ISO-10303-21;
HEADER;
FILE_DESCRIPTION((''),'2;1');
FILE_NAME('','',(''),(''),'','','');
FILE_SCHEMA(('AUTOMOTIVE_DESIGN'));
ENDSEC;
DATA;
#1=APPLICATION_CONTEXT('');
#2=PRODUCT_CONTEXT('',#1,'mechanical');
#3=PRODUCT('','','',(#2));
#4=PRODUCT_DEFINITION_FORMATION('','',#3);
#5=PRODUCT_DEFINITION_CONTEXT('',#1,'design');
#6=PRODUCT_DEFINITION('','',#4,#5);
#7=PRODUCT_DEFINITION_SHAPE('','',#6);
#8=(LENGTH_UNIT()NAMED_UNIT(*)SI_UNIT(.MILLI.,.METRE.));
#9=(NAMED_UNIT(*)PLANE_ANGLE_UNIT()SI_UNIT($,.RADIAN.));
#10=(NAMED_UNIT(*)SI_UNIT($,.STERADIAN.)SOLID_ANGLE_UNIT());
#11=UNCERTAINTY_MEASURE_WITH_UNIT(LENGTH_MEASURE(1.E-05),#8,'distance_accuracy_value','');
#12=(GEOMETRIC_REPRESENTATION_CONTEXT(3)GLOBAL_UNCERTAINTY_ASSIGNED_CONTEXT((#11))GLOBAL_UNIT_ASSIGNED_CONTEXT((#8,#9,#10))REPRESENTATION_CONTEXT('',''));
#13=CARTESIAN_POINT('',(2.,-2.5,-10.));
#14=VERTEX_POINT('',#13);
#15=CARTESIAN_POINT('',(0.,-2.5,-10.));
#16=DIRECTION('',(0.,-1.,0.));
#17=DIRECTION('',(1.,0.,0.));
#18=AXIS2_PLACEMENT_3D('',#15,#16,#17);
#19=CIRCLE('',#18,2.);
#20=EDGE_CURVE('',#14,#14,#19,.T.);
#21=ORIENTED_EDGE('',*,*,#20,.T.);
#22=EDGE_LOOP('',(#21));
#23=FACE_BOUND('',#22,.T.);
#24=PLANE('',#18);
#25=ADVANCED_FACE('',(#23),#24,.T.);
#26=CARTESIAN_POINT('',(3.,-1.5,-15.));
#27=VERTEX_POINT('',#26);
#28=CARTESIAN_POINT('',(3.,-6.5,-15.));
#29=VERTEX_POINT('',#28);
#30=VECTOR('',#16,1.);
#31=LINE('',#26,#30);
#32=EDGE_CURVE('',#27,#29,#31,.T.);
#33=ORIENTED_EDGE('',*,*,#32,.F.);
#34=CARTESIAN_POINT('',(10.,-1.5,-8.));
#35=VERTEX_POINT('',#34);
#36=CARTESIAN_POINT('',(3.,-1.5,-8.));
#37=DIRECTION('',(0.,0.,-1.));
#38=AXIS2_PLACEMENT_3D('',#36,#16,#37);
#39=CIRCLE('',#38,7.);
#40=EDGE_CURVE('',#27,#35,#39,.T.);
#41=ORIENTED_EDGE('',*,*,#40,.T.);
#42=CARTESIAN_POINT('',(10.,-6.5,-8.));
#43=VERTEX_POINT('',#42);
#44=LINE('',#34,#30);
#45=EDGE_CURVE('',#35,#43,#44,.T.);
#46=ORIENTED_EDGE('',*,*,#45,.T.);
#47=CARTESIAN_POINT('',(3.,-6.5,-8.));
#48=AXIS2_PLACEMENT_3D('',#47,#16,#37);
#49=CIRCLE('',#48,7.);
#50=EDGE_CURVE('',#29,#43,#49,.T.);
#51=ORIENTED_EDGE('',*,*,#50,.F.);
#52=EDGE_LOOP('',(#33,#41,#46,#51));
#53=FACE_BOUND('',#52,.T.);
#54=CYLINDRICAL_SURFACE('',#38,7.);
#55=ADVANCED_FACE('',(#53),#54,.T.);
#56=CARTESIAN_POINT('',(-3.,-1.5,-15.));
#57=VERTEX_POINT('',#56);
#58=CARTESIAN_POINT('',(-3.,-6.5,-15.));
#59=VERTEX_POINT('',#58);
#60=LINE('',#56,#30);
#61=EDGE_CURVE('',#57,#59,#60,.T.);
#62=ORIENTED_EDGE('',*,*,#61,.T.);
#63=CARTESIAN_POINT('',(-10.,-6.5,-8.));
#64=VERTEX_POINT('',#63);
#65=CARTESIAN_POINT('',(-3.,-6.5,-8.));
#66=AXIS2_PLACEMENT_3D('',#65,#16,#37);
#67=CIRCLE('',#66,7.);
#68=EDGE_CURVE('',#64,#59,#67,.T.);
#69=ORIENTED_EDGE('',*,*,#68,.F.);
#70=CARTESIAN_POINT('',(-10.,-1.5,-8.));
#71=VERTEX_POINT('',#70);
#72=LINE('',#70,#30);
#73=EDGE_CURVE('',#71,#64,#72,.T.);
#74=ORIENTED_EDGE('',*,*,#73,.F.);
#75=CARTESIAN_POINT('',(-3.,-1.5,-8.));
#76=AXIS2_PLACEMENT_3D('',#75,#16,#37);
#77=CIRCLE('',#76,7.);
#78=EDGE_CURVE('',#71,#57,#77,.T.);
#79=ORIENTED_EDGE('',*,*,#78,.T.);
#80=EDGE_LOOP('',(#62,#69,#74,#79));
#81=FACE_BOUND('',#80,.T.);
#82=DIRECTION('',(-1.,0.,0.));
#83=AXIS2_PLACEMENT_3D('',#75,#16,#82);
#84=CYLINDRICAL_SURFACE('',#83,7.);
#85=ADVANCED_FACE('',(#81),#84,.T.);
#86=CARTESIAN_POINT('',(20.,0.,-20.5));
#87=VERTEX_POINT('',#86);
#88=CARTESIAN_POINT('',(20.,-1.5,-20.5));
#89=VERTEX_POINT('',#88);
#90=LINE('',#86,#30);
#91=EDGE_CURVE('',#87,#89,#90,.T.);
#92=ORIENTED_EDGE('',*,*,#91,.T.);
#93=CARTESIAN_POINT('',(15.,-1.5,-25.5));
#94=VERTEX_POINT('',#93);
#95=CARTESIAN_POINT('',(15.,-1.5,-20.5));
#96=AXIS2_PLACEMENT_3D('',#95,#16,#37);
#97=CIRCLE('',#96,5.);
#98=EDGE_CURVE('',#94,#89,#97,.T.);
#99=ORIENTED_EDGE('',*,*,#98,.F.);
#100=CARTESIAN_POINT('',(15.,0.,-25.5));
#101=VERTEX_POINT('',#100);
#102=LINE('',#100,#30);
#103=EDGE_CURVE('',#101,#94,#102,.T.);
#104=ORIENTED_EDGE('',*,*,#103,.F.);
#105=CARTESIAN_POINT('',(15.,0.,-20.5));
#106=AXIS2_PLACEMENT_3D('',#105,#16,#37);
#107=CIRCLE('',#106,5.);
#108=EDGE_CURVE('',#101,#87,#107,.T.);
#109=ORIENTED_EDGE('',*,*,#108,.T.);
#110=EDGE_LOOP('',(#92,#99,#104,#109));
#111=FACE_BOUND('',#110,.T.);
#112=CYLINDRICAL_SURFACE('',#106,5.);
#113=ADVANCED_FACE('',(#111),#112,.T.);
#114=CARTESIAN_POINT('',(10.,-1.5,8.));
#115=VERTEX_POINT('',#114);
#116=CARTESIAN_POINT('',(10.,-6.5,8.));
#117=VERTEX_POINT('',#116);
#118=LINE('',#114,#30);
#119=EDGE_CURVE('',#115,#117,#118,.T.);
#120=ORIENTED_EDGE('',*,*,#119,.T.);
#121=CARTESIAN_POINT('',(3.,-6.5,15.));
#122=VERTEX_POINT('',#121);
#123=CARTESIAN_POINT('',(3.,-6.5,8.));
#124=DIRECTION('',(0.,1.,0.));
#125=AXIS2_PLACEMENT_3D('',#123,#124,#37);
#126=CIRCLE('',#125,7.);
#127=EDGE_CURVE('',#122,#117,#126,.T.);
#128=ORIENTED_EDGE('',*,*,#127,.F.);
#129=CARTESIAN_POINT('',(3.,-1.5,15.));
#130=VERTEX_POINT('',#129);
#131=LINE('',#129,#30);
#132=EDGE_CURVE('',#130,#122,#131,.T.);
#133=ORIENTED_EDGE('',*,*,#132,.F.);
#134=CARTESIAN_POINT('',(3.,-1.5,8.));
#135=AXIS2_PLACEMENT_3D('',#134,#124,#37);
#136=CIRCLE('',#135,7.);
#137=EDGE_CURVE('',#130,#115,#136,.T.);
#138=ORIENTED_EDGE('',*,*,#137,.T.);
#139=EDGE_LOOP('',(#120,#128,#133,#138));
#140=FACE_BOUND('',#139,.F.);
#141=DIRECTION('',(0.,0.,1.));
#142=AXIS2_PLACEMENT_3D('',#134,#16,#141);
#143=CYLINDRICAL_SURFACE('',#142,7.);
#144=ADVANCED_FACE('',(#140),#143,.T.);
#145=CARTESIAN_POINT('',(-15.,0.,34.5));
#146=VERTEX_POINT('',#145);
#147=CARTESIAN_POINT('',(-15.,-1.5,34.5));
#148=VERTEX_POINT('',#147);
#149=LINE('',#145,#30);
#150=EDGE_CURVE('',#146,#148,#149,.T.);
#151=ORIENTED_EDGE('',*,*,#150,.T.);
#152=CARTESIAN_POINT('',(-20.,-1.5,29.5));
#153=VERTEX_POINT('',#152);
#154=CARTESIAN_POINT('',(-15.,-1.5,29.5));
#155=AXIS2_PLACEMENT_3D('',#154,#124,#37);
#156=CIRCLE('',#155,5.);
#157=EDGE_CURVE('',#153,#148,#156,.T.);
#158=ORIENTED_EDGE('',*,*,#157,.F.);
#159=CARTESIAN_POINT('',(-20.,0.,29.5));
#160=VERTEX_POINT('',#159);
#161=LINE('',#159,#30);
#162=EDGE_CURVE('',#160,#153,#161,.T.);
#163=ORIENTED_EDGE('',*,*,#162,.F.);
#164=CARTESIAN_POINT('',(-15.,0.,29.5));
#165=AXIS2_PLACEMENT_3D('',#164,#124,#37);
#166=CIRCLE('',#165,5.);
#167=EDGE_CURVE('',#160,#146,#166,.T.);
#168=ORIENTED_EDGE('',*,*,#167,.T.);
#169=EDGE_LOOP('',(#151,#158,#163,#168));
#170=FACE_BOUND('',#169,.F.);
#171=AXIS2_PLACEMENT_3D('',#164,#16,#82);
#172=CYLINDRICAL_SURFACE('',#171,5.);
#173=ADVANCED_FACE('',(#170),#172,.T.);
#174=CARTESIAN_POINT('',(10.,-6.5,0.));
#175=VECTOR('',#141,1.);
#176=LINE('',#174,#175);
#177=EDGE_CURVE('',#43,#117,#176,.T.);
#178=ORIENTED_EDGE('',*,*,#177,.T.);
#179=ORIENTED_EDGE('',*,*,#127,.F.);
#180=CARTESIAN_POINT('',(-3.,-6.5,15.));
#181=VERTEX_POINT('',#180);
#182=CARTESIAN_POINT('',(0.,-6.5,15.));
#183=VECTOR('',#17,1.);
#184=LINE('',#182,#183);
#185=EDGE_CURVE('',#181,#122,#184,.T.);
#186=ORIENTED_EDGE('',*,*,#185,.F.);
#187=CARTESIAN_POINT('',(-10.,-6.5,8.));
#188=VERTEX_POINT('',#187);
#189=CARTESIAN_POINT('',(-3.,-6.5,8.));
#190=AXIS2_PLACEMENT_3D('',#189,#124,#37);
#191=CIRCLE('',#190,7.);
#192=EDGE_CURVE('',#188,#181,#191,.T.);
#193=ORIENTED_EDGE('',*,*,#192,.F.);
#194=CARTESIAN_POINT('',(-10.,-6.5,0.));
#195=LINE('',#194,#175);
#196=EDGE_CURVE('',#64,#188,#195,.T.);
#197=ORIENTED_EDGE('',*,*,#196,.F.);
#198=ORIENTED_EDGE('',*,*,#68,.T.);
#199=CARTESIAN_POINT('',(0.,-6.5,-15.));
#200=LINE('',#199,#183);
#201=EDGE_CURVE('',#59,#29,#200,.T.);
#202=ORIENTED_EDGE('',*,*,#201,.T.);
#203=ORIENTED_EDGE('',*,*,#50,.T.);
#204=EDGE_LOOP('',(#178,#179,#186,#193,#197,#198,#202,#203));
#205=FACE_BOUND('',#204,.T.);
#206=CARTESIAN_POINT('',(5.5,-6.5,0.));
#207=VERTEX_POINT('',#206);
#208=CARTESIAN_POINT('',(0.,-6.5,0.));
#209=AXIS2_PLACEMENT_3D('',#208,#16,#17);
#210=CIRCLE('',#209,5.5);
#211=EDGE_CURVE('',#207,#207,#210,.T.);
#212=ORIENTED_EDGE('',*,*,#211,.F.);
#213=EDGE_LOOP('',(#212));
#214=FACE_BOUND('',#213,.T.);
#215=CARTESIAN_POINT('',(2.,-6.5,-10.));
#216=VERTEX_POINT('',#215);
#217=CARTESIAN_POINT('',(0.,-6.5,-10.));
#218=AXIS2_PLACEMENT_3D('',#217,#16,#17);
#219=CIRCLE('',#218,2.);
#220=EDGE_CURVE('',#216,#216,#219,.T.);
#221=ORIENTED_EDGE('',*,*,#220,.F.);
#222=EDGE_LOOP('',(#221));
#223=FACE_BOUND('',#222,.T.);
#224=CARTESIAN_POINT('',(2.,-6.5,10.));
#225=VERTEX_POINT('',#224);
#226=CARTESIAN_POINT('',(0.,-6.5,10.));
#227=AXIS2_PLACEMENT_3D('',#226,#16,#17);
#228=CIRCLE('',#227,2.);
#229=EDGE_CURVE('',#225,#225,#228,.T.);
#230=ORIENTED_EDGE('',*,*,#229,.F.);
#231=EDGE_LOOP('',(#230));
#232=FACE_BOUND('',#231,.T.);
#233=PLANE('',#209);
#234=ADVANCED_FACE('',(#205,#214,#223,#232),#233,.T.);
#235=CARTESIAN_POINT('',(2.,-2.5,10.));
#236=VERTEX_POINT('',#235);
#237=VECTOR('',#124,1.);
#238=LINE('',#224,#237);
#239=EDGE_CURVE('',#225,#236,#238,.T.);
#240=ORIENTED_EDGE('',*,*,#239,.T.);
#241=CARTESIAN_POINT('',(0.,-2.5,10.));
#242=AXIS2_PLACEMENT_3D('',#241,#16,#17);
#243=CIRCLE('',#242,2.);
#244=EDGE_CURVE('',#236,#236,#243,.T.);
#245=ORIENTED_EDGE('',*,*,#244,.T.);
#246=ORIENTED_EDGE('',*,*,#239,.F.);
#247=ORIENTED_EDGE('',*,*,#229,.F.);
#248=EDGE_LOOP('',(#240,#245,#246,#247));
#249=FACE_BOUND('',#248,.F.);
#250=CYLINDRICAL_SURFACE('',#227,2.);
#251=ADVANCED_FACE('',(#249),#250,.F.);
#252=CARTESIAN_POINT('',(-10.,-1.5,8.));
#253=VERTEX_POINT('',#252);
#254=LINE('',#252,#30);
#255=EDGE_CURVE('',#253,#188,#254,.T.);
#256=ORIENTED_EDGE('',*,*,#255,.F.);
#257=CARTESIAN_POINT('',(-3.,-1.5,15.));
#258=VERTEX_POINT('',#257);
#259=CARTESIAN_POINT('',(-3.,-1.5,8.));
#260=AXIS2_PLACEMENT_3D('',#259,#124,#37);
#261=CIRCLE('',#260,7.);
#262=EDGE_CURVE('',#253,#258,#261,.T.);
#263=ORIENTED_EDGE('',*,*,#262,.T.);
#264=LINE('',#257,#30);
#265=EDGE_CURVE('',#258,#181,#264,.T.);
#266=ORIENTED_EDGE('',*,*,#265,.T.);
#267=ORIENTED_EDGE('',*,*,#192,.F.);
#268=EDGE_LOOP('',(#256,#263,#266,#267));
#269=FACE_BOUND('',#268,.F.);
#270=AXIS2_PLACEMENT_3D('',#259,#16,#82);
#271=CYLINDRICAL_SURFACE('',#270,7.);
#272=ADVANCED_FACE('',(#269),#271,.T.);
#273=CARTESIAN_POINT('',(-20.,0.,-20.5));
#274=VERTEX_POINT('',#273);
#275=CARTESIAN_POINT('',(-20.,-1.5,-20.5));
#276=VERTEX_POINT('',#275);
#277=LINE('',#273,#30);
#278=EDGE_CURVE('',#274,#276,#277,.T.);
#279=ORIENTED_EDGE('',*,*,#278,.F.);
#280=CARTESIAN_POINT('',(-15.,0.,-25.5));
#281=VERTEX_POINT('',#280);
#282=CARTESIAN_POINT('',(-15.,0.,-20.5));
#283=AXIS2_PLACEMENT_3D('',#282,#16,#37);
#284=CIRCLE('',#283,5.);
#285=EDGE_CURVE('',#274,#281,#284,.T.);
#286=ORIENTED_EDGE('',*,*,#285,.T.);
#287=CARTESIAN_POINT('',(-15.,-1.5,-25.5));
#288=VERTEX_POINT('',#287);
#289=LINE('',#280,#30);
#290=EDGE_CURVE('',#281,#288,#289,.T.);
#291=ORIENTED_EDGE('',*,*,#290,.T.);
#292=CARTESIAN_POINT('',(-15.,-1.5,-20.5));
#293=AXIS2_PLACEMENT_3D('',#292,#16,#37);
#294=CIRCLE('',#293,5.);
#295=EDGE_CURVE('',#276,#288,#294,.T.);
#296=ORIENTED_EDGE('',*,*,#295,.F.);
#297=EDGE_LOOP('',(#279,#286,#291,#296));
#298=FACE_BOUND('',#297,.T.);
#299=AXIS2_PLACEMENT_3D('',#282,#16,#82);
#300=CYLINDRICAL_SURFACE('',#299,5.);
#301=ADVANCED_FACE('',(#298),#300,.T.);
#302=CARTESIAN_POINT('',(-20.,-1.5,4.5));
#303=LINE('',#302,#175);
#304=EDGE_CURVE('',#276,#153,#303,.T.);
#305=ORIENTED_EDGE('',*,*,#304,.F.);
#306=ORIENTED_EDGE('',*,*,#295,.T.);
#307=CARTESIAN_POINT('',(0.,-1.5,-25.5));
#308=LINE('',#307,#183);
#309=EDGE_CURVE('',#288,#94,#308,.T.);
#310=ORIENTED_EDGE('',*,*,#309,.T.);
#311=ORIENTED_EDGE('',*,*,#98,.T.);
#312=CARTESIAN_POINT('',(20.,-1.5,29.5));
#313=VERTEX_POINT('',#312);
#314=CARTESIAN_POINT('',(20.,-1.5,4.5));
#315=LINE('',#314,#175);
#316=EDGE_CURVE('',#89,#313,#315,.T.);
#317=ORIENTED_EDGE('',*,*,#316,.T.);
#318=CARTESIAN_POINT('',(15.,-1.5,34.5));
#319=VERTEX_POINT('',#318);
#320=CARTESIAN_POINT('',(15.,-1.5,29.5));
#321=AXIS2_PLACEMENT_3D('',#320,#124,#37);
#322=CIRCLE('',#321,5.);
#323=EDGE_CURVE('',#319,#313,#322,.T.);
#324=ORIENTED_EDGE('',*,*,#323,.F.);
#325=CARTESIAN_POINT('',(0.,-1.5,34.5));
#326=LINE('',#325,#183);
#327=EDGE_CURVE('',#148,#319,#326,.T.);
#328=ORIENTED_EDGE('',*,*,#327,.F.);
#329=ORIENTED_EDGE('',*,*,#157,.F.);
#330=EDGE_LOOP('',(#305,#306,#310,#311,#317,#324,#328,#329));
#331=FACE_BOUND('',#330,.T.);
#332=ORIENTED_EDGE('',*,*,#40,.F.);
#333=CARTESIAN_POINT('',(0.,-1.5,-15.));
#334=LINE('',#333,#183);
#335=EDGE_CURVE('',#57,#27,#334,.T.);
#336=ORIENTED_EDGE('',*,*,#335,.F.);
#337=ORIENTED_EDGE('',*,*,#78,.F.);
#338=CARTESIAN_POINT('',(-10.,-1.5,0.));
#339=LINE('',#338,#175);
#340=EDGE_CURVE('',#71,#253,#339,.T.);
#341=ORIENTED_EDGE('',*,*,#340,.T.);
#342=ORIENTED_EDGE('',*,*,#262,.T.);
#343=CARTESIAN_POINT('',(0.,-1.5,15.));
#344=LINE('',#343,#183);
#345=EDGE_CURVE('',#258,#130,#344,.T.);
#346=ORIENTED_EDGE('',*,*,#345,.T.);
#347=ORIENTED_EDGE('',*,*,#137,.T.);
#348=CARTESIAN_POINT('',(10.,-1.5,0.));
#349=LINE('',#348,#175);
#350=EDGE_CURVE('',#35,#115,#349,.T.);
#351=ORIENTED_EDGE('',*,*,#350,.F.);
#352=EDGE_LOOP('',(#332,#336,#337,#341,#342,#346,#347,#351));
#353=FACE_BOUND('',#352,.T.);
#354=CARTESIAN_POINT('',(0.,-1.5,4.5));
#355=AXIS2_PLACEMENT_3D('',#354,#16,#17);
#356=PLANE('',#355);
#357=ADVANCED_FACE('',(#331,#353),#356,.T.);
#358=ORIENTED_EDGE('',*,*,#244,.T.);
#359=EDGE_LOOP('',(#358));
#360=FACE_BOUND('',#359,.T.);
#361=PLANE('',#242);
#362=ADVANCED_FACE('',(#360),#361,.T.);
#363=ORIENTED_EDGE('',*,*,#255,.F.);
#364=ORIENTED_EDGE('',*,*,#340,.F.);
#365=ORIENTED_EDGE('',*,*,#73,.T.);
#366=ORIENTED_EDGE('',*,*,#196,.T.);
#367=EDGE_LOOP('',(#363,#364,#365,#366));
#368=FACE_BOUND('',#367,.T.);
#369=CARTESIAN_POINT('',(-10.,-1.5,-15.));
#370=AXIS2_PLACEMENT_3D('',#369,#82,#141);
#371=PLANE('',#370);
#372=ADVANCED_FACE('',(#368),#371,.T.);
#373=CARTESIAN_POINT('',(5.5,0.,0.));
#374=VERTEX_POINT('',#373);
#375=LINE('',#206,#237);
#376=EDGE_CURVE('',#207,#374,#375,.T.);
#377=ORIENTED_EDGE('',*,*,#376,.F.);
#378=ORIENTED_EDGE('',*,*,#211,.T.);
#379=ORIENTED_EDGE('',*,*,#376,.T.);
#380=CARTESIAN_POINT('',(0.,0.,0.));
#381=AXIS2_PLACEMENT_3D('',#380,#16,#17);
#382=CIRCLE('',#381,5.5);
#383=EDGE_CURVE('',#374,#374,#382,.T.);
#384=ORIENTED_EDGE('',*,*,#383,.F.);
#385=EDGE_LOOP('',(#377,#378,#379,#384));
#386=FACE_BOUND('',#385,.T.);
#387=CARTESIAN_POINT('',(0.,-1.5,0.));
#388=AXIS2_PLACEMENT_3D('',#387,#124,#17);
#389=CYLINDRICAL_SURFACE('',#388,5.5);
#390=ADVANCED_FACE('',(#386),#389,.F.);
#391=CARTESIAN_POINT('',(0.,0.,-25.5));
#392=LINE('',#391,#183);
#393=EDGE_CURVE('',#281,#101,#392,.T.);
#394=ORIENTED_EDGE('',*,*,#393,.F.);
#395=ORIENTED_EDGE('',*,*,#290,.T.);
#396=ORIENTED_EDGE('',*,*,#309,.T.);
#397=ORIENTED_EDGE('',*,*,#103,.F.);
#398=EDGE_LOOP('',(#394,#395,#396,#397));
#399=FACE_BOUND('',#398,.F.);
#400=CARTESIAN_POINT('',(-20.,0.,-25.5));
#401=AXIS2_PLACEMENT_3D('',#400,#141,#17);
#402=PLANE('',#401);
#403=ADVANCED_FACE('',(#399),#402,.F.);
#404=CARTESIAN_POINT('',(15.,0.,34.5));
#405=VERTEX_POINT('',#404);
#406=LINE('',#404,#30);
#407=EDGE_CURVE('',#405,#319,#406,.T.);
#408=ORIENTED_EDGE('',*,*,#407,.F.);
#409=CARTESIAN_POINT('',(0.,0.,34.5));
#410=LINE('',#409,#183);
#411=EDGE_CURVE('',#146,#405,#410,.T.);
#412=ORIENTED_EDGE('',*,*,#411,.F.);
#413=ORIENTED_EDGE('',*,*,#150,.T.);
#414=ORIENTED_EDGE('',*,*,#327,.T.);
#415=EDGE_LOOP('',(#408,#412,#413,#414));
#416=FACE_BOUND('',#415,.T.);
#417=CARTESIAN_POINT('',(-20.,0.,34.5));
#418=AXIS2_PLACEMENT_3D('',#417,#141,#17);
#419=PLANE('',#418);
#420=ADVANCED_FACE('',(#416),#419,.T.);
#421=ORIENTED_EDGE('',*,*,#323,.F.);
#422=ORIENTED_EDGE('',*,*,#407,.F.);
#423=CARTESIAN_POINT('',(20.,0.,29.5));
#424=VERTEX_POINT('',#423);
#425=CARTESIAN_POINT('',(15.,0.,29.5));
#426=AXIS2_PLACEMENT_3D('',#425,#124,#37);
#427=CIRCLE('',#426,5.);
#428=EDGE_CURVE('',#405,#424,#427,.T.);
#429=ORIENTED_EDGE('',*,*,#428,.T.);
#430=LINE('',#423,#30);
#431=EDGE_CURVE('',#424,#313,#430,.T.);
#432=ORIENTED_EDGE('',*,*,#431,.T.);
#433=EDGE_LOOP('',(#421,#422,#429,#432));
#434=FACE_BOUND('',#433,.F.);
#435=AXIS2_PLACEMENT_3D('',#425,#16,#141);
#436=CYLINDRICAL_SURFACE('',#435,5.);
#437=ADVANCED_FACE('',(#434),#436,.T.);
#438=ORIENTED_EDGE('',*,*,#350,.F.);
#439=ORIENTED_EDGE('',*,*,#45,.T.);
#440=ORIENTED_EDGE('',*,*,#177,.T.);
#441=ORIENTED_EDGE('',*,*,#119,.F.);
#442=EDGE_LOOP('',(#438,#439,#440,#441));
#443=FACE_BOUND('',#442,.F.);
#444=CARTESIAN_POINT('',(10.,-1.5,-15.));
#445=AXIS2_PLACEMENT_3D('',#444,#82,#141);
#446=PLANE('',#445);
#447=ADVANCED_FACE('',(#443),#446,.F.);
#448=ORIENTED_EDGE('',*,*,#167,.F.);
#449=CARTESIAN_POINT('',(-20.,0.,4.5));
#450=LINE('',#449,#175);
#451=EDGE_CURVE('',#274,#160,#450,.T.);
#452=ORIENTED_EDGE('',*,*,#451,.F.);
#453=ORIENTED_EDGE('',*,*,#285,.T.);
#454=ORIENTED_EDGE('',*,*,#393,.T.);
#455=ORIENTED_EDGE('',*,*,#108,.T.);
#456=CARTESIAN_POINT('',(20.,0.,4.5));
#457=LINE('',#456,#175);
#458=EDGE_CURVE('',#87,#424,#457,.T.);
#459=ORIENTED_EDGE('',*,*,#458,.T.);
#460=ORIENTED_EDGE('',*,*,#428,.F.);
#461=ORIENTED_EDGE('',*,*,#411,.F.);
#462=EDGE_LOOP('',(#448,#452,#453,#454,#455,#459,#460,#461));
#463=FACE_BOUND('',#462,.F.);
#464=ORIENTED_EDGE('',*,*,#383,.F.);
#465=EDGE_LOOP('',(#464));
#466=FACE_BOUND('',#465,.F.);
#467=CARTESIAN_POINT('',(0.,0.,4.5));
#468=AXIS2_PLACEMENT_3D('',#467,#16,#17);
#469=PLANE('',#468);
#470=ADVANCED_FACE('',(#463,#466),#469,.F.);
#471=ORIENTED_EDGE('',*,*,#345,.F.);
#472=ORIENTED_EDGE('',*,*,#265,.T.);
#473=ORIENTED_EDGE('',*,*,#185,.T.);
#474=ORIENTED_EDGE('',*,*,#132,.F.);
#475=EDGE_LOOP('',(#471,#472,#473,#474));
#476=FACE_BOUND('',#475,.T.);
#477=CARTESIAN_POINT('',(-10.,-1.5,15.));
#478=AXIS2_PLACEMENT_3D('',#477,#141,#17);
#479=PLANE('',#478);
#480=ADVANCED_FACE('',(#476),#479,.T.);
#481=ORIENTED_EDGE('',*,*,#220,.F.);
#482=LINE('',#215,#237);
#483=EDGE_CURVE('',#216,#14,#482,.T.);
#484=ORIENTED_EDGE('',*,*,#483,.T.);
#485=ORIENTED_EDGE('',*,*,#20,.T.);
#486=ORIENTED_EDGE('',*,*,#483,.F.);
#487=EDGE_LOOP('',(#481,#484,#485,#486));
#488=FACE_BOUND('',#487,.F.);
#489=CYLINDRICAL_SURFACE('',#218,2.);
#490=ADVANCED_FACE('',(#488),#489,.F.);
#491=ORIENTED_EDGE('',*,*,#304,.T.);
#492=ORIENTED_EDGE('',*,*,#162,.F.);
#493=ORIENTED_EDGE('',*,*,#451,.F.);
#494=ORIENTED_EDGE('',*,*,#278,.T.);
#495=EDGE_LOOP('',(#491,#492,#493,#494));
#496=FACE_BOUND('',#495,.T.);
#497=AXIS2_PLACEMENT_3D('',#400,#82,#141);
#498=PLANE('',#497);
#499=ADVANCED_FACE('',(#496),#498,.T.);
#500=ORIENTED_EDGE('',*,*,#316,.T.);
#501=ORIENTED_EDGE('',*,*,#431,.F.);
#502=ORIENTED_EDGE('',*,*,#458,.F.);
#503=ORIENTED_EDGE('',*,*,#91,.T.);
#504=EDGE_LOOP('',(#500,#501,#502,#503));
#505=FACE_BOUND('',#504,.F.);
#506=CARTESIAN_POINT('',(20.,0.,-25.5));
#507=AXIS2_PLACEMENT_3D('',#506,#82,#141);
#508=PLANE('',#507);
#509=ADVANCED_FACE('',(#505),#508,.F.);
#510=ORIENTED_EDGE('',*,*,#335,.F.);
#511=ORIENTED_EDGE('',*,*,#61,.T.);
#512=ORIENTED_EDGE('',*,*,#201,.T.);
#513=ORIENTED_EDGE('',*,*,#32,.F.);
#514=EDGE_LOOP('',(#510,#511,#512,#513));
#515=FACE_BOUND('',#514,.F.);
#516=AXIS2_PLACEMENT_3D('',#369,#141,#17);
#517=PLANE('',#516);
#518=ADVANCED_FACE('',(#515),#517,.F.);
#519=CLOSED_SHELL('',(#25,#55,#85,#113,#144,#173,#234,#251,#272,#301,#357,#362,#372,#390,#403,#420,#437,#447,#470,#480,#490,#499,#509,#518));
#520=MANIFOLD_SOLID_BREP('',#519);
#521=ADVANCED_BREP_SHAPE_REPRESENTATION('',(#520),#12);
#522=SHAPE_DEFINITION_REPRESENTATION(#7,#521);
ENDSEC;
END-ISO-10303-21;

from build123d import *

# Parameters (mm, degrees)
F0_W     = 40
F0_H     = 60
F0_R     = 5.5
F1_DEPTH = 1.5
F2_W     = 20
F2_H     = 30
F2_R     = 5.5
F3_DEPTH = 5
F4_R     = 2
F5_DEPTH = 4
F6_R     = 7
F7_R     = 5


with BuildPart() as f1:
    # F0 (on Front) → F1 (new body)
    with BuildSketch(Plane.XZ):
        with Locations((0, 4.5)):
            Rectangle(F0_W, F0_H)
        Circle(F0_R, mode=Mode.SUBTRACT)
    extrude(amount=F1_DEPTH)

    # F2 (on face) → F3 (join)
    with BuildSketch(Plane.XZ.offset(1.5)):
        Rectangle(F2_W, F2_H)
        Circle(F2_R, mode=Mode.SUBTRACT)
    extrude(amount=F3_DEPTH)

    # F4 (on face) → F5 (cut)
    with BuildSketch(Plane.XZ.offset(6.5)):
        with Locations((0, 10)):
            Circle(F4_R)
        with Locations((0, -10)):
            Circle(F4_R)
    extrude(amount=-F5_DEPTH, mode=Mode.SUBTRACT)

    # F6
    f6_edges = [f1.edges().sort_by_distance(p)[0] for p in [
        (10, -4, 15),
        (-10, -4, 15),
        (10, -4, -15),
        (-10, -4, -15),
    ]]
    fillet(f6_edges, radius=F6_R)

    # F7
    f7_edges = [f1.edges().sort_by_distance(p)[0] for p in [
        (20, -0.75, 34.5),
        (20, -0.75, -25.5),
        (-20, -0.75, -25.5),
        (-20, -0.75, 34.5),
    ]]
    fillet(f7_edges, radius=F7_R)


solid = f1.part
